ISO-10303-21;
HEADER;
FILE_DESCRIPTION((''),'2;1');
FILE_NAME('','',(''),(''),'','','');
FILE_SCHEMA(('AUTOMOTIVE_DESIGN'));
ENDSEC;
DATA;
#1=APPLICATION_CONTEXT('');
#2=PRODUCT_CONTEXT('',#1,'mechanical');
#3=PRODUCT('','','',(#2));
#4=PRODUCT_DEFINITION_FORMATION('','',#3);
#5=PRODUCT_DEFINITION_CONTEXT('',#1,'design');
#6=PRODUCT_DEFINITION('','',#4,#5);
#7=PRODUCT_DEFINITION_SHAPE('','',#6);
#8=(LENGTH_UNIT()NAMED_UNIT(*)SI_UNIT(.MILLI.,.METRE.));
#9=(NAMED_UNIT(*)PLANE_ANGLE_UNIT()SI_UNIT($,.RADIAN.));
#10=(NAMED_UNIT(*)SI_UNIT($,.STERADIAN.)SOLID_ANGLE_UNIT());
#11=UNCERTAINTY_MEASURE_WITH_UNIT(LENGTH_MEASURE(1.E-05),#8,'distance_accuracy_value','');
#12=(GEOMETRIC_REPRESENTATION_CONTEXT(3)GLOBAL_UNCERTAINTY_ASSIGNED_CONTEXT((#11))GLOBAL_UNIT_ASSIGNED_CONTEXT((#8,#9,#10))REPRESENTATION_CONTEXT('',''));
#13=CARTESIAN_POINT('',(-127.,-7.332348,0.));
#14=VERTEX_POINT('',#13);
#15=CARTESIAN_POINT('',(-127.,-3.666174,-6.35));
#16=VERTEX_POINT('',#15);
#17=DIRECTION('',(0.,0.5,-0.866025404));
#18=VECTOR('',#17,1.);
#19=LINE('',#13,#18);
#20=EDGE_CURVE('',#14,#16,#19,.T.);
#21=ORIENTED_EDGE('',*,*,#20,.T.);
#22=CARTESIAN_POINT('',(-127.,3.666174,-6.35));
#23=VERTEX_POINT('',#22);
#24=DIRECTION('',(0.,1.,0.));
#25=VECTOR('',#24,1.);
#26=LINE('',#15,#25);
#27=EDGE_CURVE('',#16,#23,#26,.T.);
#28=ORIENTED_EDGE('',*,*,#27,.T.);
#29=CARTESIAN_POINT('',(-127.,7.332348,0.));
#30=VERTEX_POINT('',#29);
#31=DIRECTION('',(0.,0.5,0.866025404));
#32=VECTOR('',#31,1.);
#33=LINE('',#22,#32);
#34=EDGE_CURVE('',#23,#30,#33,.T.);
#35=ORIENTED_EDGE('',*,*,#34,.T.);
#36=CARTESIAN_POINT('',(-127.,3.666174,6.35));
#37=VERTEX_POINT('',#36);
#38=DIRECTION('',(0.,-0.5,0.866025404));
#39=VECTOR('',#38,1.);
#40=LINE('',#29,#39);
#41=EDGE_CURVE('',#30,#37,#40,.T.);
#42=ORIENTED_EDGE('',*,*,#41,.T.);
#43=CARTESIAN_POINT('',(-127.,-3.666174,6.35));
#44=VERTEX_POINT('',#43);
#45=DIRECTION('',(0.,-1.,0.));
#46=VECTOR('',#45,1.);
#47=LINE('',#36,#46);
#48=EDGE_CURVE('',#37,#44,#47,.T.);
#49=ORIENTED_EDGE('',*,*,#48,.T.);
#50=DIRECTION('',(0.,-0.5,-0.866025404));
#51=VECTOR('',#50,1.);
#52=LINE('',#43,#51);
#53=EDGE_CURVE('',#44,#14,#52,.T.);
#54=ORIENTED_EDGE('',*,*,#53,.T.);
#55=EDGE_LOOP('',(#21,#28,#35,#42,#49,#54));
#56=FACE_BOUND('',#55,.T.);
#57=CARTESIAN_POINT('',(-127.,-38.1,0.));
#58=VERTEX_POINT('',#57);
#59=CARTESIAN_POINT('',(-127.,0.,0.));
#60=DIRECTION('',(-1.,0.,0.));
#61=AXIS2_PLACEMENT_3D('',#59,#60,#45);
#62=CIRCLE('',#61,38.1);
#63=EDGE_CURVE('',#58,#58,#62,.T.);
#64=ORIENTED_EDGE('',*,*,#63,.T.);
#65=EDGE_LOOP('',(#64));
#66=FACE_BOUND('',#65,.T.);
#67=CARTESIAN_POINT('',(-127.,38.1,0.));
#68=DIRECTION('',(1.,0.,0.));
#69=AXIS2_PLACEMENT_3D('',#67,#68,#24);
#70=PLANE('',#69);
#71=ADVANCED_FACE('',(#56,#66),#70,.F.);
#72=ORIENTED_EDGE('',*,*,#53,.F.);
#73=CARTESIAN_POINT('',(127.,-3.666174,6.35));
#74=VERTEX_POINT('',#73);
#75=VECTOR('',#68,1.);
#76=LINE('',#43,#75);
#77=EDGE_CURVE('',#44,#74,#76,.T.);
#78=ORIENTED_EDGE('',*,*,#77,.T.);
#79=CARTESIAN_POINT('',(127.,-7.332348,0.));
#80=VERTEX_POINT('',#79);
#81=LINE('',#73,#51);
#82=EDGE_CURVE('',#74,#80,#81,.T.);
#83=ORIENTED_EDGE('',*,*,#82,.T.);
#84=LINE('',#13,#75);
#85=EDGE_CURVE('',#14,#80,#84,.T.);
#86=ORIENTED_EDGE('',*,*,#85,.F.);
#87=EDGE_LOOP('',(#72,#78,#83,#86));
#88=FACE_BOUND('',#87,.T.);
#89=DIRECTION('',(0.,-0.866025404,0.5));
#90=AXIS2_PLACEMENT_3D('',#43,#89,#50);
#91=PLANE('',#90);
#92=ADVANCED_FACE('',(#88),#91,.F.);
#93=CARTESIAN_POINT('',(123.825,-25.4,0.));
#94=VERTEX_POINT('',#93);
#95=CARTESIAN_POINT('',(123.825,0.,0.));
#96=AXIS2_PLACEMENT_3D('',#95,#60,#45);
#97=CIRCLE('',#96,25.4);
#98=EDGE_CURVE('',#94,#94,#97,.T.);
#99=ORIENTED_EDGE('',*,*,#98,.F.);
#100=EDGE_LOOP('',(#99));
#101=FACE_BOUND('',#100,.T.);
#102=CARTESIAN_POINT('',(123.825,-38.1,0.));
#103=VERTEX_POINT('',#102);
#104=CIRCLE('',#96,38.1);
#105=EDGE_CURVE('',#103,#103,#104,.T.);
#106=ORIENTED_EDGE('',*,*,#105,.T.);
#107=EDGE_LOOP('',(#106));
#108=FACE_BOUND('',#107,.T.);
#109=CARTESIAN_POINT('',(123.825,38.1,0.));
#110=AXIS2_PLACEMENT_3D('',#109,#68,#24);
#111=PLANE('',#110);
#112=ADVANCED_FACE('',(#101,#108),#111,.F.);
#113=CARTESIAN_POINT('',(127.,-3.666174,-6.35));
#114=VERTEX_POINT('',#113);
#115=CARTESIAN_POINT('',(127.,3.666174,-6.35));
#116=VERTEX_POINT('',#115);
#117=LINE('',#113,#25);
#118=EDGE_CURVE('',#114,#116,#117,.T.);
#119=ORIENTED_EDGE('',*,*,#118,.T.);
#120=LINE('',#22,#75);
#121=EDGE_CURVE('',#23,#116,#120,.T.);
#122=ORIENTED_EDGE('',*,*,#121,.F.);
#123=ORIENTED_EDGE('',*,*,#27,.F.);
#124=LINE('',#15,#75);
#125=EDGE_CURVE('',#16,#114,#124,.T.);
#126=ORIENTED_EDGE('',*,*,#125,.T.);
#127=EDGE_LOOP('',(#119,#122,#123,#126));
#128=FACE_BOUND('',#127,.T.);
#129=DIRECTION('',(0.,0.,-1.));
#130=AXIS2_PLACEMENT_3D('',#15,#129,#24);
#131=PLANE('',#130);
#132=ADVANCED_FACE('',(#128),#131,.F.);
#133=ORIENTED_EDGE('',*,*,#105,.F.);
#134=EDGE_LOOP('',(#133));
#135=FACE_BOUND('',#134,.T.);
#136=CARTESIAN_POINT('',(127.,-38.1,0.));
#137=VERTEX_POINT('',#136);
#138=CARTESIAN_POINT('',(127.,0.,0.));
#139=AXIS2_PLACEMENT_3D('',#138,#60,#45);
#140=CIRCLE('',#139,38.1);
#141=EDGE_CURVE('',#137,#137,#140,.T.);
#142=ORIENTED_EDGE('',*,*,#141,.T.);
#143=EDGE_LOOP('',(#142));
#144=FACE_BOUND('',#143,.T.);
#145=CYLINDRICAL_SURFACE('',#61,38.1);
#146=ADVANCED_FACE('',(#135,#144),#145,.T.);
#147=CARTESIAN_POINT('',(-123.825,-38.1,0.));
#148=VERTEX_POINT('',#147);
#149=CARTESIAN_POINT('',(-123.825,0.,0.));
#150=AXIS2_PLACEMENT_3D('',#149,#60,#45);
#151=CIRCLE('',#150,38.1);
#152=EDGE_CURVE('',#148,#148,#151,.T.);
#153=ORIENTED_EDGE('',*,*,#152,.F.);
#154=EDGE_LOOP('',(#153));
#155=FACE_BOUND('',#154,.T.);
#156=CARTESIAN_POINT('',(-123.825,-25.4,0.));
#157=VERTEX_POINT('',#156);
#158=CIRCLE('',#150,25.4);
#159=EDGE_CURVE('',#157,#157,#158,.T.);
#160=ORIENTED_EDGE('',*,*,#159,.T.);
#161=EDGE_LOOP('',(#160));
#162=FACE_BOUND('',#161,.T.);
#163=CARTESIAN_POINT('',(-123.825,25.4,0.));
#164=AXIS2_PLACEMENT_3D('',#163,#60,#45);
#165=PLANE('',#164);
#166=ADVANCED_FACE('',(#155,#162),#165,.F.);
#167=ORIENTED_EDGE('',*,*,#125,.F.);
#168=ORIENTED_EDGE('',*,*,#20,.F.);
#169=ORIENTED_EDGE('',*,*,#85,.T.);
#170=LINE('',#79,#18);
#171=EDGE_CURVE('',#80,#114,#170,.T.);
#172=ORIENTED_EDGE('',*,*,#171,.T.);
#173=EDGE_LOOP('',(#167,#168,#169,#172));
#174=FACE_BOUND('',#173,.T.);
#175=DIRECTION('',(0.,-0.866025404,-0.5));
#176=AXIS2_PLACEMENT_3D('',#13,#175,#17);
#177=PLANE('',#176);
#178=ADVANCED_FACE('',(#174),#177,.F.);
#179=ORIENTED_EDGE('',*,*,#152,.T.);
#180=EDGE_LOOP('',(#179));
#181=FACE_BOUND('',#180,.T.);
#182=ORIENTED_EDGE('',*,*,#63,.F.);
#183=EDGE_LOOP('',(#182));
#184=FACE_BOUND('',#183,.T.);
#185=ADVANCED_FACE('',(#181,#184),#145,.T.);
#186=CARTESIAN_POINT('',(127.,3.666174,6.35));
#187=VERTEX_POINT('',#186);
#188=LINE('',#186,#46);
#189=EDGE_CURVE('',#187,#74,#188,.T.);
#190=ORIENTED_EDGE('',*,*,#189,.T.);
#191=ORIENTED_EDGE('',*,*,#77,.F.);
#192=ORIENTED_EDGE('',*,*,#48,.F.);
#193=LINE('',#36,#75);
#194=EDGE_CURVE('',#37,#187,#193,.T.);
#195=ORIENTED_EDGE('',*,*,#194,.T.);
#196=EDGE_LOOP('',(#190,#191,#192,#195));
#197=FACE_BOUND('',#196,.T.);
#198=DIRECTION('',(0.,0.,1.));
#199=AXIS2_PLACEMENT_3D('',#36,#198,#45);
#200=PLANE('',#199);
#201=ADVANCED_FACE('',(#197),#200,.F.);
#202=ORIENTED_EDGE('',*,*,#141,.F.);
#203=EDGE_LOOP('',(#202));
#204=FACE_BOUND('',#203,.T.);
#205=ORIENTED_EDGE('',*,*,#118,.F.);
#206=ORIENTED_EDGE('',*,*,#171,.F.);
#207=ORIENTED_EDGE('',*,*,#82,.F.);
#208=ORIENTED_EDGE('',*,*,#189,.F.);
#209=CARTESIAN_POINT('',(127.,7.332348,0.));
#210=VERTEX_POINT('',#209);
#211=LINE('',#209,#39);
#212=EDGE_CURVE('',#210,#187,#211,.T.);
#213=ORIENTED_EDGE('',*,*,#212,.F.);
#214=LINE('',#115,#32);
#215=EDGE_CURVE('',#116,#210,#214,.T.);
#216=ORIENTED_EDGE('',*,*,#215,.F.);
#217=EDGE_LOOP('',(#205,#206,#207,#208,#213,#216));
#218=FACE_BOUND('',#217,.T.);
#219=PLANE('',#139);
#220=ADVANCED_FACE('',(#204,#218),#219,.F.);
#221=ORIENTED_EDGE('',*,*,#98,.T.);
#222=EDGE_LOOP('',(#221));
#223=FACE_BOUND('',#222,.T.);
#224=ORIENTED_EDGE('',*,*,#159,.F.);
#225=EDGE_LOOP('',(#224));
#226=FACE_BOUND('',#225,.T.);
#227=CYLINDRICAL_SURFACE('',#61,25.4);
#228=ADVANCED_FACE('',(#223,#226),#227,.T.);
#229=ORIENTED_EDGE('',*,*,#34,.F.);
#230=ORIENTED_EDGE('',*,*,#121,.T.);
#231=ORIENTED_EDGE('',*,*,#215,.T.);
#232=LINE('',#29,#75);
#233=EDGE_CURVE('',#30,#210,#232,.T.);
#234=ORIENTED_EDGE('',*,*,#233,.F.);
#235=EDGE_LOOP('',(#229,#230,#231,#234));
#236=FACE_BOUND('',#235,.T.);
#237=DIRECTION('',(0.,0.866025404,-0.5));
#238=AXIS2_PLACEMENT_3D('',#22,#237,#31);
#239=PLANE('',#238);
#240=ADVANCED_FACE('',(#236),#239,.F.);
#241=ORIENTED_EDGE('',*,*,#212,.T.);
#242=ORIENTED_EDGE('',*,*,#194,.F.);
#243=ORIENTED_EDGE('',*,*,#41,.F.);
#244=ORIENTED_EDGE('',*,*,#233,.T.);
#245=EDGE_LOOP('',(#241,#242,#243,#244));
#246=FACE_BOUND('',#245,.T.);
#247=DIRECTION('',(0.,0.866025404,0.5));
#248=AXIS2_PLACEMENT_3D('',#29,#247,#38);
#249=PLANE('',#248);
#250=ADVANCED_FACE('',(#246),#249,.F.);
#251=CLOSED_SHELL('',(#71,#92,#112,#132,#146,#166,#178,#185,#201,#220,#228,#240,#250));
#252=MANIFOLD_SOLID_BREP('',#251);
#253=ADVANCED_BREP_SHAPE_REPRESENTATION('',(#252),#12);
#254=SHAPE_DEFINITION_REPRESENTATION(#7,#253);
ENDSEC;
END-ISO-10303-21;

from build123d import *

# Parameters (mm, degrees)
CUT_EXTRUDE1_DEPTH = 255


with BuildPart() as part:
    # Sketch1 → Revolve1 (revolve)
    with BuildSketch(Plane.XY):
        Polygon((-127, 38.1), (-127, 0), (127, 0), (127, 38.1), (123.825, 38.1), (123.825, 25.4), (-123.825, 25.4), (-123.825, 38.1), align=None)
    revolve(axis=Axis((-127, 0, 0), (1, 0, 0)))

    # Sketch2 → Cut-Extrude1 (cut, through all)
    with BuildSketch(Plane(origin=(127, 0, 0), x_dir=(0, 0, -1), z_dir=(1, 0, 0))):
        Polygon((0, 7.332348419), (-6.35, 3.666174209), (-6.35, -3.666174209), (0, -7.332348419), (6.35, -3.666174209), (6.35, 3.666174209), align=None)
    extrude(amount=-CUT_EXTRUDE1_DEPTH, mode=Mode.SUBTRACT)


solid = part.part
